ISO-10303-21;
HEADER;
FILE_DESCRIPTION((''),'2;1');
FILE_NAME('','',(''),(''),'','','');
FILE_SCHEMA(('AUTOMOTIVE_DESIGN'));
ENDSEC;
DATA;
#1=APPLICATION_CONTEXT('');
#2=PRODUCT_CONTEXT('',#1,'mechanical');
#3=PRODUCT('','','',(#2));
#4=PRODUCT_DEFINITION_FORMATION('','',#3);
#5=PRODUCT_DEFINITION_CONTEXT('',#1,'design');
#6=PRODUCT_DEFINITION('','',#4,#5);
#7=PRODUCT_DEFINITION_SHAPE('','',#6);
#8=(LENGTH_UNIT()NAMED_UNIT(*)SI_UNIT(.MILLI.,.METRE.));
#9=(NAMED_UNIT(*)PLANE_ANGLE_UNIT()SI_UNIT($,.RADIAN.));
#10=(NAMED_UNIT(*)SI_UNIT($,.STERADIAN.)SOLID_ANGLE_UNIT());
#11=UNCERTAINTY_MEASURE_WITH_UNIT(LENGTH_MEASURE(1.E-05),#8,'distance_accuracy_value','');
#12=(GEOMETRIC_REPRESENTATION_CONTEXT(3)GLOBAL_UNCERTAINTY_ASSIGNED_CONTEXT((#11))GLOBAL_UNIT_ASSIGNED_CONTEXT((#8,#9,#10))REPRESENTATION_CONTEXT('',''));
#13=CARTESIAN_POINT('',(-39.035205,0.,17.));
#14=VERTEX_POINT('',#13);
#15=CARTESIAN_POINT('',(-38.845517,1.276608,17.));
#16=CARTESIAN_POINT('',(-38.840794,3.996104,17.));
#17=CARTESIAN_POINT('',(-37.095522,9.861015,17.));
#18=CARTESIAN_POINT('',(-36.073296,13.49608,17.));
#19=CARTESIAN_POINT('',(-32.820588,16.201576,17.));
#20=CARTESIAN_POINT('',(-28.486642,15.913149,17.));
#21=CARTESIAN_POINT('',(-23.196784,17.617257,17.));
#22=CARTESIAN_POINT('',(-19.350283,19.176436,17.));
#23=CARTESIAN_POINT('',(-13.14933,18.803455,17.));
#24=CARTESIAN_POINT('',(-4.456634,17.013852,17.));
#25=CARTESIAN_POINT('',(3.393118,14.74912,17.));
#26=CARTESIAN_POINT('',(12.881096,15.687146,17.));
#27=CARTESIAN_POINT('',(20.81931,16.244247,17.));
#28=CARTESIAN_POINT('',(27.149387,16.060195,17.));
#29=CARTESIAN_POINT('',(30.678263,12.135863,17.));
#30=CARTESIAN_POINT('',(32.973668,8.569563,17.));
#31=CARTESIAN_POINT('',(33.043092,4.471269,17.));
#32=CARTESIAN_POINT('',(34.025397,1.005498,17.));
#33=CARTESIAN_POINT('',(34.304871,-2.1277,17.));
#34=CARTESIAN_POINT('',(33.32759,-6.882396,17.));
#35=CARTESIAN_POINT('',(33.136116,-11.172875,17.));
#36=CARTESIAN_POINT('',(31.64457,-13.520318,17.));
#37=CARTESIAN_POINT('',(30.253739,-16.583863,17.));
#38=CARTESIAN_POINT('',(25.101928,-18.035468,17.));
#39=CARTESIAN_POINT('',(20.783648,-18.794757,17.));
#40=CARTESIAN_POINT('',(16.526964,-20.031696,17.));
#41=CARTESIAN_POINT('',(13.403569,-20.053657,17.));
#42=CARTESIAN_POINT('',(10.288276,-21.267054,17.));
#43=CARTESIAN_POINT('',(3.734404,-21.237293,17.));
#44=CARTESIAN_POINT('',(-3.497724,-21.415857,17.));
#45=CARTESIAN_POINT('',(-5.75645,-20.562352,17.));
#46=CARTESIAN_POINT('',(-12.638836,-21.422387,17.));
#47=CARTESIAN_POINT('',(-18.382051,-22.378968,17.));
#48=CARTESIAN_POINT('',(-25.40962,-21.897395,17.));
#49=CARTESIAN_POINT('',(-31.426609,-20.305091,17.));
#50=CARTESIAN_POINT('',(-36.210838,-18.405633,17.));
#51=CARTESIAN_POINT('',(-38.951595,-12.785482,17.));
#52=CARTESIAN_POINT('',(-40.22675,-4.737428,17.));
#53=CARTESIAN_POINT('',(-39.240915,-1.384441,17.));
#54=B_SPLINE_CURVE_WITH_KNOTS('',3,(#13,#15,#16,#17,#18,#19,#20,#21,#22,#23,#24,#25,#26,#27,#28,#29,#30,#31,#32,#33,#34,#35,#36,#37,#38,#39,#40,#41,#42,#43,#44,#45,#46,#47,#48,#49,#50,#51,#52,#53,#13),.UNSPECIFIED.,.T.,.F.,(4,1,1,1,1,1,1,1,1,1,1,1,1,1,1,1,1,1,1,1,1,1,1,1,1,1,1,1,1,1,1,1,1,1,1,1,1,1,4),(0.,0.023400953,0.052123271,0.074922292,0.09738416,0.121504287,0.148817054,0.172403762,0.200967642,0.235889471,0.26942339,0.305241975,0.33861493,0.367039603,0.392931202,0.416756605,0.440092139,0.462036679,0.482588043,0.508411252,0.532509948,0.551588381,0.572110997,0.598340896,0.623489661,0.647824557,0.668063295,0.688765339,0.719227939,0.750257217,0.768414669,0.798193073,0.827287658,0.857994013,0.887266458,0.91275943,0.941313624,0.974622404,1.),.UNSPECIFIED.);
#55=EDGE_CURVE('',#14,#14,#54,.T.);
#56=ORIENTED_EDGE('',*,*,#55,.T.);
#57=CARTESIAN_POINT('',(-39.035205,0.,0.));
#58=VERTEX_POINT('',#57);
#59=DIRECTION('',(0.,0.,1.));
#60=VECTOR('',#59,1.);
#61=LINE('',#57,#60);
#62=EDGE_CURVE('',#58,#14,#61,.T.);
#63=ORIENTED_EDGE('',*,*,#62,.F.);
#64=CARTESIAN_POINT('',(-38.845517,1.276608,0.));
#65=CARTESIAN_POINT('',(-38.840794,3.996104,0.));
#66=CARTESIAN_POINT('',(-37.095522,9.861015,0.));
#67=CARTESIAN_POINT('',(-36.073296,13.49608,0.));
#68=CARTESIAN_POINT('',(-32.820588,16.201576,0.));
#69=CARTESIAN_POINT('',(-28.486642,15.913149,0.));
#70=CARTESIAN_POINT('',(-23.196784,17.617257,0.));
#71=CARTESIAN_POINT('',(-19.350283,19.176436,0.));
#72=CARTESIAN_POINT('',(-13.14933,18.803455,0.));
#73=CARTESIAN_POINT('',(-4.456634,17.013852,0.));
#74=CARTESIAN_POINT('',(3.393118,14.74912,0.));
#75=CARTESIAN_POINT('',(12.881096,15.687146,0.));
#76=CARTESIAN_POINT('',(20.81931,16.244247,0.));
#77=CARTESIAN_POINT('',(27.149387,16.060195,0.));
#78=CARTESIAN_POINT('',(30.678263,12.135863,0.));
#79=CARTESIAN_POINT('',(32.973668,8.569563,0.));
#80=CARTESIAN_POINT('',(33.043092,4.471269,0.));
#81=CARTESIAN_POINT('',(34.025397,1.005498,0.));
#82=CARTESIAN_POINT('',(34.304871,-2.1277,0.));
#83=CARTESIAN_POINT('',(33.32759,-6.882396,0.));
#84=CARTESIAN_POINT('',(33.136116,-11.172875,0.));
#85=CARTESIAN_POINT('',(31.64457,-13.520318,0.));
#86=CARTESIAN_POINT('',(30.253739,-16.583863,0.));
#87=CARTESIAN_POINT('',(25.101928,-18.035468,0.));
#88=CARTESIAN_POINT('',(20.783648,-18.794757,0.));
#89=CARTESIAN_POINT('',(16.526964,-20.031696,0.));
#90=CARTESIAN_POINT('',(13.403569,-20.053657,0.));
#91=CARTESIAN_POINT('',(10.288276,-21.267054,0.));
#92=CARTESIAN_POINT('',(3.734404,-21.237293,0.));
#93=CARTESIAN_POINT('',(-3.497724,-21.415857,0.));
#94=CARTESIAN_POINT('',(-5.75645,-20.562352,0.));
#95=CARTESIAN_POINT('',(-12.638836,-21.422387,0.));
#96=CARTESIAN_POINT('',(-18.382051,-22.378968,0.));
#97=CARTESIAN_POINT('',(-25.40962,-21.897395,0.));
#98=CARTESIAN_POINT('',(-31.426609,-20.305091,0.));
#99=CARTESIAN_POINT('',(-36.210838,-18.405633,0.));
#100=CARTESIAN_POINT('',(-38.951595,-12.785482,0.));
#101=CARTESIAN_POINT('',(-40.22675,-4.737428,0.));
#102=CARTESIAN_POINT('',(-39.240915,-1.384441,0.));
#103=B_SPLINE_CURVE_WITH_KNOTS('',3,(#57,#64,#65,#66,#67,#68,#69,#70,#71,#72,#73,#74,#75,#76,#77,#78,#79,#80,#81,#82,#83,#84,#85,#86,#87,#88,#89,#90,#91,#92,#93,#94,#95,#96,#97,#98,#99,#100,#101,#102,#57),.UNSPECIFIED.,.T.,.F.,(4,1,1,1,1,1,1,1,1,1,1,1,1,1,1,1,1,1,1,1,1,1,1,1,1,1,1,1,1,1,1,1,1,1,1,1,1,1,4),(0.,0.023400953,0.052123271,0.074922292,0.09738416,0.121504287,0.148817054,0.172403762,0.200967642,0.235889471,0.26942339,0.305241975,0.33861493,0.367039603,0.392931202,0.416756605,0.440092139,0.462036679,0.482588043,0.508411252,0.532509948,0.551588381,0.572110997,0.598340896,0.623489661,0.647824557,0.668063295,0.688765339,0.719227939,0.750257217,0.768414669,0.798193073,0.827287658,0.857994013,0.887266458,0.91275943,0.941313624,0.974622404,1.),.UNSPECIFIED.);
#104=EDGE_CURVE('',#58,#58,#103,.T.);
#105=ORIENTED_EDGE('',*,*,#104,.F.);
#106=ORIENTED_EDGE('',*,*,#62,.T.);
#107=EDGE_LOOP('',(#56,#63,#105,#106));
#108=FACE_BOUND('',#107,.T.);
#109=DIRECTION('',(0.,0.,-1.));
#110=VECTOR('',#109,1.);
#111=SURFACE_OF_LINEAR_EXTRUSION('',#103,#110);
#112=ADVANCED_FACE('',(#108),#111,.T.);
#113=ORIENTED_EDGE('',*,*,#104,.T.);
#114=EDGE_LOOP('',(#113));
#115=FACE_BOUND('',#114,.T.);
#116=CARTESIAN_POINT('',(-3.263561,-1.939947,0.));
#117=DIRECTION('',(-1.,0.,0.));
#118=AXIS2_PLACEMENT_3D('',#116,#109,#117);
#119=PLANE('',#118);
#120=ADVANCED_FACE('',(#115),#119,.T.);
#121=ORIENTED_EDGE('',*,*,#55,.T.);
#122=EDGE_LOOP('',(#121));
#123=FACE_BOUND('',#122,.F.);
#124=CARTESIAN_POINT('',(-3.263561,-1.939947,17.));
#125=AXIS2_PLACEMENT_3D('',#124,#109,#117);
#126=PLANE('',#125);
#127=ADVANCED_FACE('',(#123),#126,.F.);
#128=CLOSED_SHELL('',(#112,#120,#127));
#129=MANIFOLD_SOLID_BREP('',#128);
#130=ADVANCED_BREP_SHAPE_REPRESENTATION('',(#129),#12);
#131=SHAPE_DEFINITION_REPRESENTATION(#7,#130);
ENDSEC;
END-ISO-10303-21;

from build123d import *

# Parameters (mm, degrees)
F1_DEPTH = 17


with BuildPart() as f1:
    # F0 (on Top) → F1 (new body)
    with BuildSketch(Plane.XY):
        with BuildLine():
            add(Edge.make_bspline(
                [(-39.035204798, 0), (-38.8455173747, 1.2766076891), (-38.8407940286, 3.9961035803), (-37.0955217777, 9.861015338), (-36.0732958047, 13.4960799804), (-32.8205877368, 16.2015764424), (-28.4866422228, 15.9131493002), (-23.1967835976, 17.6172566212), (-19.3502833062, 19.1764355158), (-13.1493301382, 18.803455113), (-4.4566336598, 17.0138522909), (3.3931176628, 14.7491200613), (12.8810959539, 15.6871455514), (20.8193099458, 16.2442472503), (27.1493870185, 16.0601950477), (30.6782633841, 12.1358633886), (32.9736682784, 8.5695632547), (33.0430922147, 4.4712690114), (34.0253968883, 1.0054978771), (34.3048714399, -2.1277001136), (33.3275900336, -6.8823962556), (33.1361156429, -11.1728749951), (31.6445701858, -13.5203181316), (30.2537392199, -16.583863324), (25.1019275231, -18.035467605), (20.7836478454, -18.7947570422), (16.5269639877, -20.031695891), (13.4035690352, -20.0536567854), (10.2882755629, -21.2670544902), (3.7344039635, -21.237292989), (-3.4977240412, -21.4158565378), (-5.7564498895, -20.5623518823), (-12.6388362608, -21.4223868575), (-18.3820506677, -22.378968295), (-25.4096204895, -21.897395435), (-31.4266090688, -20.3050907038), (-36.2108379271, -18.4056327496), (-38.9515948688, -12.7854821641), (-40.2267500523, -4.7374277296), (-39.2409148305, -1.3844408063), (-39.035204798, 0)],
                knots=[0, 0, 0, 0, 0.0234009527, 0.0521232706, 0.0749222917, 0.0973841597, 0.1215042874, 0.1488170538, 0.1724037615, 0.2009676417, 0.2358894711, 0.2694233904, 0.3052419751, 0.3386149301, 0.3670396033, 0.392931202, 0.4167566055, 0.4400921395, 0.4620366792, 0.4825880427, 0.5084112525, 0.5325099482, 0.5515883813, 0.5721109971, 0.5983408955, 0.6234896609, 0.6478245567, 0.6680632949, 0.6887653387, 0.7192279394, 0.7502572168, 0.7684146693, 0.7981930733, 0.827287658, 0.8579940128, 0.8872664578, 0.9127594296, 0.9413136243, 0.9746224043, 1, 1, 1, 1], degree=3))
        make_face()
    extrude(amount=F1_DEPTH)


solid = f1.part
